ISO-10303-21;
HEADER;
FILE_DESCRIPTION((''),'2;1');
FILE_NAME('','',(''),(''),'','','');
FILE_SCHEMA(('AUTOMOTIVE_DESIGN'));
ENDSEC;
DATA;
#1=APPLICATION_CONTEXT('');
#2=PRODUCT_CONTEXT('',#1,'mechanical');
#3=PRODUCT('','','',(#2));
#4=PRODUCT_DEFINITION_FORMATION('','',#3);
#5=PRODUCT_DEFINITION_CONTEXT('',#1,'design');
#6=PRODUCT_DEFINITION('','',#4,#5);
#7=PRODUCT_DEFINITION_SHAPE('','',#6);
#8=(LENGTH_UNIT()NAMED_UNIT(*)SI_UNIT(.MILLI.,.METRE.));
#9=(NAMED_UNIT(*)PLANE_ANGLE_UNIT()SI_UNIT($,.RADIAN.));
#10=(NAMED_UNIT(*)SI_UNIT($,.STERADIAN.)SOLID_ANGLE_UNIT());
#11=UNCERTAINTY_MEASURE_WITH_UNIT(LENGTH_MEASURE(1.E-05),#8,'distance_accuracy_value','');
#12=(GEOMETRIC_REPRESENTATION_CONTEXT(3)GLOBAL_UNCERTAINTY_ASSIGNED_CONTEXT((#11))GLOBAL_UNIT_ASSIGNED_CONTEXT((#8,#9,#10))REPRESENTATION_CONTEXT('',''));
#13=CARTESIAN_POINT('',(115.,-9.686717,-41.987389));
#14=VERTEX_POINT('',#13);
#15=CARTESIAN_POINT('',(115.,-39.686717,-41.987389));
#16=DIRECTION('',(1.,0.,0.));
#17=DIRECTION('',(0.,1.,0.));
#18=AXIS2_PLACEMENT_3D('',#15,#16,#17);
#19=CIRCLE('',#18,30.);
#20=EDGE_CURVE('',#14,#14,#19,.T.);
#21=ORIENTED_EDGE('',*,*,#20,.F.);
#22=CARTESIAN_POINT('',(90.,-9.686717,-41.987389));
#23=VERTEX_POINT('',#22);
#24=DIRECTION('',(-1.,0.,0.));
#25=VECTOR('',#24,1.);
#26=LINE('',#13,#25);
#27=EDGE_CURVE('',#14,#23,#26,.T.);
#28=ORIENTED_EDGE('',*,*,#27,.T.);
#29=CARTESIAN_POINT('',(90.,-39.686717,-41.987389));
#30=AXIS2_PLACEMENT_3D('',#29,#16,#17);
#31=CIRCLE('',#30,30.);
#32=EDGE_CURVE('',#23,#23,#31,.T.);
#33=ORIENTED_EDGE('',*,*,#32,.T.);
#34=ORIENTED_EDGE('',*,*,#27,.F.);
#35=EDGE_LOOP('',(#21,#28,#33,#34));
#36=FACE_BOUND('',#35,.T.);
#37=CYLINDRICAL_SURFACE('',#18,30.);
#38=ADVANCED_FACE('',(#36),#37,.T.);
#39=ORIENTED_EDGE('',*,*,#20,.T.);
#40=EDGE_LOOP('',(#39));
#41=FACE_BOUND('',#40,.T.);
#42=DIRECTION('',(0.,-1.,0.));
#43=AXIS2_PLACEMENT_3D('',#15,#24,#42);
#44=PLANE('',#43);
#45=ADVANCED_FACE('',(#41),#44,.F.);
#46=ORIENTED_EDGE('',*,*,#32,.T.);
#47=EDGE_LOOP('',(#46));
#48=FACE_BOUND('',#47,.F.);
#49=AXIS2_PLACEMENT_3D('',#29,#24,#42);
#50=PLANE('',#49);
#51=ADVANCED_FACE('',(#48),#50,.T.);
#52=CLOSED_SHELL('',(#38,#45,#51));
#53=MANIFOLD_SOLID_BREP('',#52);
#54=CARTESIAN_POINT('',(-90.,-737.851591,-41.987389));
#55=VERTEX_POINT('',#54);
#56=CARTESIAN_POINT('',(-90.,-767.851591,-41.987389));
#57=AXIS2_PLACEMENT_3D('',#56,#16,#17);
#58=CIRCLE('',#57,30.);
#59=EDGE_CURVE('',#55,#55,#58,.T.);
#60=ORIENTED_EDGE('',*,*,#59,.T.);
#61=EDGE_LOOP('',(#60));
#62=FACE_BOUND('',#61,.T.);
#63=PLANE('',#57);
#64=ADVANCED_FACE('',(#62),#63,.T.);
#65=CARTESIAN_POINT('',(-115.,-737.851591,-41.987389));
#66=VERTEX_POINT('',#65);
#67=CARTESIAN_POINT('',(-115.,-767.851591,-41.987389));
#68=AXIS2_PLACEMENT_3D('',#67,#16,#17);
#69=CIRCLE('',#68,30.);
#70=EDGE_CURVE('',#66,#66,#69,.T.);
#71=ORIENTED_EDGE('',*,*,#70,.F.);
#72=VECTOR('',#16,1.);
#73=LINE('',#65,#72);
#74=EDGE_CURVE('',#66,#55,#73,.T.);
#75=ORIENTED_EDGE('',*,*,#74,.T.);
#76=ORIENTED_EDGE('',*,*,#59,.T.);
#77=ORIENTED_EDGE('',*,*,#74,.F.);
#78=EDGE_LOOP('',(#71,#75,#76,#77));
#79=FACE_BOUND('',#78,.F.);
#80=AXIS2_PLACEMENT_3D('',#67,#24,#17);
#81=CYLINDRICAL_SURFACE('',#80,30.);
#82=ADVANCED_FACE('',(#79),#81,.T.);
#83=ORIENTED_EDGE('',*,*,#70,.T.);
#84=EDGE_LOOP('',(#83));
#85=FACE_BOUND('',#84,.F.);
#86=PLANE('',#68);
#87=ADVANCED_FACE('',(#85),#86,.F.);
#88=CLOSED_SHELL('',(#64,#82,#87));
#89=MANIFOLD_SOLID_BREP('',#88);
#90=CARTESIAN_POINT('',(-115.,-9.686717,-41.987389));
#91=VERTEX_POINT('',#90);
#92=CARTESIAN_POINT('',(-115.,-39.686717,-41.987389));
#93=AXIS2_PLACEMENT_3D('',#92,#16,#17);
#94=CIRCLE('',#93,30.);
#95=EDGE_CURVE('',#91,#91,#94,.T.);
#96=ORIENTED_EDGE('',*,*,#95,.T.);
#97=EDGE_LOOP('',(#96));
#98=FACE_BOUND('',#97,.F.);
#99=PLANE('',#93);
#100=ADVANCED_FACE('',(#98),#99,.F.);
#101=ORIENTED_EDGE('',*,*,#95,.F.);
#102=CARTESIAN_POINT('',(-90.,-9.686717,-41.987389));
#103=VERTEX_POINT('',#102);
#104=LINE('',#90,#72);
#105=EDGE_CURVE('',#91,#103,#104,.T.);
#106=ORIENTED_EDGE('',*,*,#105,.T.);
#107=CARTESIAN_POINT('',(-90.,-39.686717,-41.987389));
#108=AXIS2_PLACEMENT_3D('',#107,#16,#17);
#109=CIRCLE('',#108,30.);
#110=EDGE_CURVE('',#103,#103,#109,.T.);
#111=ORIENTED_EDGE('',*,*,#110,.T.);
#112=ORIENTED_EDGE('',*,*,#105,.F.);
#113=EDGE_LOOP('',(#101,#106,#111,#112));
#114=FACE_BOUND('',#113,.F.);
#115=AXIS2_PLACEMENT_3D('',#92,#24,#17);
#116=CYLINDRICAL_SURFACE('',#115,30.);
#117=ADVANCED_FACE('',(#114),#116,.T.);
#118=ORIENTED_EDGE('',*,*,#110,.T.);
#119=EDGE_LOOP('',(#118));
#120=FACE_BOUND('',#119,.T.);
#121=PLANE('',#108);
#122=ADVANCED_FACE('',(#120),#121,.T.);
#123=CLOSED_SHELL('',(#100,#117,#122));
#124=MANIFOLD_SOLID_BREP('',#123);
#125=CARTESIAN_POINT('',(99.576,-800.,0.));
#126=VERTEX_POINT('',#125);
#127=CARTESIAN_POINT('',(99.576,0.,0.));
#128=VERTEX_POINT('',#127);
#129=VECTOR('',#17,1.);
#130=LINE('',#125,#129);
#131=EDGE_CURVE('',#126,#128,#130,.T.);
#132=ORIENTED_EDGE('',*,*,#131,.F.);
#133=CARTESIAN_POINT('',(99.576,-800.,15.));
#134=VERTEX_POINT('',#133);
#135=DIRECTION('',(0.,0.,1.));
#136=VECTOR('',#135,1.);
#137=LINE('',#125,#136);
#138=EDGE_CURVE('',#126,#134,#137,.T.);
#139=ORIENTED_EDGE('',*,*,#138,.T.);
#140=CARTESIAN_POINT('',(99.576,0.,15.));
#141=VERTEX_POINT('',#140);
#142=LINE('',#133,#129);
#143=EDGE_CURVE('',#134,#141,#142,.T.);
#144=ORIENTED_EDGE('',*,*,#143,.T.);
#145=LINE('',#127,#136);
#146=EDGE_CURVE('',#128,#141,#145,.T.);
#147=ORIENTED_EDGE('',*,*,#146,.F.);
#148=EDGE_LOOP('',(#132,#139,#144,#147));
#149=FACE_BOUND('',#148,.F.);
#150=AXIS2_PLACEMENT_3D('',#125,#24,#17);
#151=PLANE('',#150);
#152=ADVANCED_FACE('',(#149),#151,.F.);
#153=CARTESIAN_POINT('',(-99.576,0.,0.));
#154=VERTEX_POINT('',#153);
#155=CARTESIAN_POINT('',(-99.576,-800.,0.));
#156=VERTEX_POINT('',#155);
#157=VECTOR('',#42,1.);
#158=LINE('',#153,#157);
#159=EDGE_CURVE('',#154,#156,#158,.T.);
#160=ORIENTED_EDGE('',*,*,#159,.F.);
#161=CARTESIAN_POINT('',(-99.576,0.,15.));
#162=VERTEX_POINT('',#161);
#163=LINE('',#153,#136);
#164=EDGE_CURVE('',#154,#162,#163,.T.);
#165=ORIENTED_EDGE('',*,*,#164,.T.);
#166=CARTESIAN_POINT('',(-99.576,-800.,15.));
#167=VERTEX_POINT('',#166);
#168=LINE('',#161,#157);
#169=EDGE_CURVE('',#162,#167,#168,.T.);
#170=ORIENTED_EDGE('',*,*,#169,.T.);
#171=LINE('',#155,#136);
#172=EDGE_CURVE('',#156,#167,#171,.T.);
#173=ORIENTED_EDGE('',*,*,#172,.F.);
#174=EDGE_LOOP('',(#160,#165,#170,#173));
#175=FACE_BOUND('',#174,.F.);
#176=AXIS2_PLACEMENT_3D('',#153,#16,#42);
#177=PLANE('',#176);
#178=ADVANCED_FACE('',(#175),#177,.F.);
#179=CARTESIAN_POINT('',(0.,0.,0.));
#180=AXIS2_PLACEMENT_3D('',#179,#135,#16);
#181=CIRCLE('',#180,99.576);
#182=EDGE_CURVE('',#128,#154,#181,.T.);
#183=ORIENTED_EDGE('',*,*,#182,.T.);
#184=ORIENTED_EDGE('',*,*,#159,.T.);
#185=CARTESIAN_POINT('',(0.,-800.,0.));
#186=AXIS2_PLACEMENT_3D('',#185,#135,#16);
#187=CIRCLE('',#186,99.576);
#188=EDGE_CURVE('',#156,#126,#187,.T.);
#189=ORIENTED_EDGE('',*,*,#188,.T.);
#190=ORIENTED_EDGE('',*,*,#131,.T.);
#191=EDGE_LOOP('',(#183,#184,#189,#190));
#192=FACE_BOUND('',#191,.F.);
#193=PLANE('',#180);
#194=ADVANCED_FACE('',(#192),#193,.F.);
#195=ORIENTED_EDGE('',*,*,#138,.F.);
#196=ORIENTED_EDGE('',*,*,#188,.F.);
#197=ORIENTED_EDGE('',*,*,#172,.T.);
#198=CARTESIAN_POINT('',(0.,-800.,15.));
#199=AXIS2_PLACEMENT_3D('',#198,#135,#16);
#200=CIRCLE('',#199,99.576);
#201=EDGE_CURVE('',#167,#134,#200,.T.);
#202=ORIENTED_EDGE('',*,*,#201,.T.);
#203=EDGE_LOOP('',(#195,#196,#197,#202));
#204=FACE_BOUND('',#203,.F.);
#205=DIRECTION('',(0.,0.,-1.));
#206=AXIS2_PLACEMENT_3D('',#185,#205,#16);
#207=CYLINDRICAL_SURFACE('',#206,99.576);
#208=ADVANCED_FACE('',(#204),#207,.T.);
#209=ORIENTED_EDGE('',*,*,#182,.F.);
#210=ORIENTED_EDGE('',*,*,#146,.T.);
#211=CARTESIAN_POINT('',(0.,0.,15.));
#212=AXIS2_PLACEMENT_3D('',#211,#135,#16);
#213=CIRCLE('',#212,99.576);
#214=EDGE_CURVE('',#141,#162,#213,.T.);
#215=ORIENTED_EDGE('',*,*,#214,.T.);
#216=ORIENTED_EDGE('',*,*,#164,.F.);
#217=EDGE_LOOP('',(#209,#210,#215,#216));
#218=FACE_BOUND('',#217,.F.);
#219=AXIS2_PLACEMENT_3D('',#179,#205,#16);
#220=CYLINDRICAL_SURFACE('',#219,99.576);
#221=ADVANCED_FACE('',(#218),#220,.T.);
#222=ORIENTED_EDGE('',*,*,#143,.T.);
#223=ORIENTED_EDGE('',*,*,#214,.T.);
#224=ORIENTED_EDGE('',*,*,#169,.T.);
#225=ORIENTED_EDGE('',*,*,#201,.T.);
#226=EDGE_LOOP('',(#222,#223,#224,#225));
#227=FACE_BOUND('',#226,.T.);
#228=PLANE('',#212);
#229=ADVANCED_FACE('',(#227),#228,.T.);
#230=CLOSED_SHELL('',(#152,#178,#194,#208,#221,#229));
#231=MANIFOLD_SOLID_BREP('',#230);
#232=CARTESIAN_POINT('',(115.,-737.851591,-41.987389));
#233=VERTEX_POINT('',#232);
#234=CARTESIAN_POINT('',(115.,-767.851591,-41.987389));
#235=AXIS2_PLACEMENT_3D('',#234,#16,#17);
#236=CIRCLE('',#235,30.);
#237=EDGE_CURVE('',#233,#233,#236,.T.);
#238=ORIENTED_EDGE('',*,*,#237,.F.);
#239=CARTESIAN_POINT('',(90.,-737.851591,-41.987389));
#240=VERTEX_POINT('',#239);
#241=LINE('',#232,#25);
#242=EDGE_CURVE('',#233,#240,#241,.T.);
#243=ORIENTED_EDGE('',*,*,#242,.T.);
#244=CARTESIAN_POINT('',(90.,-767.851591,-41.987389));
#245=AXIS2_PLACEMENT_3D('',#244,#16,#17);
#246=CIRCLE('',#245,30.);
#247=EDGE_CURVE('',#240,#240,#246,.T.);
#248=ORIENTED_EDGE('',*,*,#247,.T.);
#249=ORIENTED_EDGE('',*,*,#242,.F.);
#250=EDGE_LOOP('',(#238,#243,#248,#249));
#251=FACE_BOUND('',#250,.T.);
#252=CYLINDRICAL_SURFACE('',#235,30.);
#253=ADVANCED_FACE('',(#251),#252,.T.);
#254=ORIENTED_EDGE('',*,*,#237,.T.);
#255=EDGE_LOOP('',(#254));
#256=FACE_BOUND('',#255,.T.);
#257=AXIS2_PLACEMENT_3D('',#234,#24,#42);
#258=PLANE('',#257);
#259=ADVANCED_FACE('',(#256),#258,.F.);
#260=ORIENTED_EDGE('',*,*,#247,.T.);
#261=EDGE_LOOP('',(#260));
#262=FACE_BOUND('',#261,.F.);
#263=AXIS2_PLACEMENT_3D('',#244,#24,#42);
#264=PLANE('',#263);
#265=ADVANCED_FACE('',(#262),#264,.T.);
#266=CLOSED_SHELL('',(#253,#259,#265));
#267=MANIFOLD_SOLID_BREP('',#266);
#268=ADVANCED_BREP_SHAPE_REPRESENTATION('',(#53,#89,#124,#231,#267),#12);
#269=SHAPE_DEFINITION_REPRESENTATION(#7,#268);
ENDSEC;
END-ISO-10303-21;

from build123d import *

# Parameters (mm, degrees)
F1_DEPTH = 15
F3_R     = 30
F4_DEPTH = 25


with BuildPart() as f1:
    # F0 (on Top) → F1 (new body)
    with BuildSketch(Plane.XY):
        with BuildLine():
            ThreePointArc((-99.576, 0), (0, -99.576), (99.576, 0))
            ThreePointArc((99.576, 0), (0, 99.576), (-99.576, 0))
        make_face()
        with BuildLine():
            Line((99.576, -800), (99.576, 0))
            ThreePointArc((99.576, 0), (0, -99.576), (-99.576, 0))
            Line((-99.576, 0), (-99.576, -800))
            ThreePointArc((-99.576, -800), (0, -700.424), (99.576, -800))
        make_face()
        with BuildLine():
            ThreePointArc((-99.576, -800), (0, -899.576), (99.576, -800))
            ThreePointArc((99.576, -800), (0, -700.424), (-99.576, -800))
        make_face()
    extrude(amount=F1_DEPTH)


with BuildPart() as f4:
    # F3 (on offset) → F4 (new body)
    with BuildSketch(Plane.YZ.offset(-115)):
        with Locations((-39.686717, -41.987389)):
            Circle(F3_R)
        with Locations((-767.851591, -41.987389)):
            Circle(F3_R)
    extrude(amount=F4_DEPTH)


with BuildPart() as f5_1:
    # F5: instance of F4
    add(f4.part.mirror(Plane.YZ))


solid = Compound([f1.part, f4.part, f5_1.part])
